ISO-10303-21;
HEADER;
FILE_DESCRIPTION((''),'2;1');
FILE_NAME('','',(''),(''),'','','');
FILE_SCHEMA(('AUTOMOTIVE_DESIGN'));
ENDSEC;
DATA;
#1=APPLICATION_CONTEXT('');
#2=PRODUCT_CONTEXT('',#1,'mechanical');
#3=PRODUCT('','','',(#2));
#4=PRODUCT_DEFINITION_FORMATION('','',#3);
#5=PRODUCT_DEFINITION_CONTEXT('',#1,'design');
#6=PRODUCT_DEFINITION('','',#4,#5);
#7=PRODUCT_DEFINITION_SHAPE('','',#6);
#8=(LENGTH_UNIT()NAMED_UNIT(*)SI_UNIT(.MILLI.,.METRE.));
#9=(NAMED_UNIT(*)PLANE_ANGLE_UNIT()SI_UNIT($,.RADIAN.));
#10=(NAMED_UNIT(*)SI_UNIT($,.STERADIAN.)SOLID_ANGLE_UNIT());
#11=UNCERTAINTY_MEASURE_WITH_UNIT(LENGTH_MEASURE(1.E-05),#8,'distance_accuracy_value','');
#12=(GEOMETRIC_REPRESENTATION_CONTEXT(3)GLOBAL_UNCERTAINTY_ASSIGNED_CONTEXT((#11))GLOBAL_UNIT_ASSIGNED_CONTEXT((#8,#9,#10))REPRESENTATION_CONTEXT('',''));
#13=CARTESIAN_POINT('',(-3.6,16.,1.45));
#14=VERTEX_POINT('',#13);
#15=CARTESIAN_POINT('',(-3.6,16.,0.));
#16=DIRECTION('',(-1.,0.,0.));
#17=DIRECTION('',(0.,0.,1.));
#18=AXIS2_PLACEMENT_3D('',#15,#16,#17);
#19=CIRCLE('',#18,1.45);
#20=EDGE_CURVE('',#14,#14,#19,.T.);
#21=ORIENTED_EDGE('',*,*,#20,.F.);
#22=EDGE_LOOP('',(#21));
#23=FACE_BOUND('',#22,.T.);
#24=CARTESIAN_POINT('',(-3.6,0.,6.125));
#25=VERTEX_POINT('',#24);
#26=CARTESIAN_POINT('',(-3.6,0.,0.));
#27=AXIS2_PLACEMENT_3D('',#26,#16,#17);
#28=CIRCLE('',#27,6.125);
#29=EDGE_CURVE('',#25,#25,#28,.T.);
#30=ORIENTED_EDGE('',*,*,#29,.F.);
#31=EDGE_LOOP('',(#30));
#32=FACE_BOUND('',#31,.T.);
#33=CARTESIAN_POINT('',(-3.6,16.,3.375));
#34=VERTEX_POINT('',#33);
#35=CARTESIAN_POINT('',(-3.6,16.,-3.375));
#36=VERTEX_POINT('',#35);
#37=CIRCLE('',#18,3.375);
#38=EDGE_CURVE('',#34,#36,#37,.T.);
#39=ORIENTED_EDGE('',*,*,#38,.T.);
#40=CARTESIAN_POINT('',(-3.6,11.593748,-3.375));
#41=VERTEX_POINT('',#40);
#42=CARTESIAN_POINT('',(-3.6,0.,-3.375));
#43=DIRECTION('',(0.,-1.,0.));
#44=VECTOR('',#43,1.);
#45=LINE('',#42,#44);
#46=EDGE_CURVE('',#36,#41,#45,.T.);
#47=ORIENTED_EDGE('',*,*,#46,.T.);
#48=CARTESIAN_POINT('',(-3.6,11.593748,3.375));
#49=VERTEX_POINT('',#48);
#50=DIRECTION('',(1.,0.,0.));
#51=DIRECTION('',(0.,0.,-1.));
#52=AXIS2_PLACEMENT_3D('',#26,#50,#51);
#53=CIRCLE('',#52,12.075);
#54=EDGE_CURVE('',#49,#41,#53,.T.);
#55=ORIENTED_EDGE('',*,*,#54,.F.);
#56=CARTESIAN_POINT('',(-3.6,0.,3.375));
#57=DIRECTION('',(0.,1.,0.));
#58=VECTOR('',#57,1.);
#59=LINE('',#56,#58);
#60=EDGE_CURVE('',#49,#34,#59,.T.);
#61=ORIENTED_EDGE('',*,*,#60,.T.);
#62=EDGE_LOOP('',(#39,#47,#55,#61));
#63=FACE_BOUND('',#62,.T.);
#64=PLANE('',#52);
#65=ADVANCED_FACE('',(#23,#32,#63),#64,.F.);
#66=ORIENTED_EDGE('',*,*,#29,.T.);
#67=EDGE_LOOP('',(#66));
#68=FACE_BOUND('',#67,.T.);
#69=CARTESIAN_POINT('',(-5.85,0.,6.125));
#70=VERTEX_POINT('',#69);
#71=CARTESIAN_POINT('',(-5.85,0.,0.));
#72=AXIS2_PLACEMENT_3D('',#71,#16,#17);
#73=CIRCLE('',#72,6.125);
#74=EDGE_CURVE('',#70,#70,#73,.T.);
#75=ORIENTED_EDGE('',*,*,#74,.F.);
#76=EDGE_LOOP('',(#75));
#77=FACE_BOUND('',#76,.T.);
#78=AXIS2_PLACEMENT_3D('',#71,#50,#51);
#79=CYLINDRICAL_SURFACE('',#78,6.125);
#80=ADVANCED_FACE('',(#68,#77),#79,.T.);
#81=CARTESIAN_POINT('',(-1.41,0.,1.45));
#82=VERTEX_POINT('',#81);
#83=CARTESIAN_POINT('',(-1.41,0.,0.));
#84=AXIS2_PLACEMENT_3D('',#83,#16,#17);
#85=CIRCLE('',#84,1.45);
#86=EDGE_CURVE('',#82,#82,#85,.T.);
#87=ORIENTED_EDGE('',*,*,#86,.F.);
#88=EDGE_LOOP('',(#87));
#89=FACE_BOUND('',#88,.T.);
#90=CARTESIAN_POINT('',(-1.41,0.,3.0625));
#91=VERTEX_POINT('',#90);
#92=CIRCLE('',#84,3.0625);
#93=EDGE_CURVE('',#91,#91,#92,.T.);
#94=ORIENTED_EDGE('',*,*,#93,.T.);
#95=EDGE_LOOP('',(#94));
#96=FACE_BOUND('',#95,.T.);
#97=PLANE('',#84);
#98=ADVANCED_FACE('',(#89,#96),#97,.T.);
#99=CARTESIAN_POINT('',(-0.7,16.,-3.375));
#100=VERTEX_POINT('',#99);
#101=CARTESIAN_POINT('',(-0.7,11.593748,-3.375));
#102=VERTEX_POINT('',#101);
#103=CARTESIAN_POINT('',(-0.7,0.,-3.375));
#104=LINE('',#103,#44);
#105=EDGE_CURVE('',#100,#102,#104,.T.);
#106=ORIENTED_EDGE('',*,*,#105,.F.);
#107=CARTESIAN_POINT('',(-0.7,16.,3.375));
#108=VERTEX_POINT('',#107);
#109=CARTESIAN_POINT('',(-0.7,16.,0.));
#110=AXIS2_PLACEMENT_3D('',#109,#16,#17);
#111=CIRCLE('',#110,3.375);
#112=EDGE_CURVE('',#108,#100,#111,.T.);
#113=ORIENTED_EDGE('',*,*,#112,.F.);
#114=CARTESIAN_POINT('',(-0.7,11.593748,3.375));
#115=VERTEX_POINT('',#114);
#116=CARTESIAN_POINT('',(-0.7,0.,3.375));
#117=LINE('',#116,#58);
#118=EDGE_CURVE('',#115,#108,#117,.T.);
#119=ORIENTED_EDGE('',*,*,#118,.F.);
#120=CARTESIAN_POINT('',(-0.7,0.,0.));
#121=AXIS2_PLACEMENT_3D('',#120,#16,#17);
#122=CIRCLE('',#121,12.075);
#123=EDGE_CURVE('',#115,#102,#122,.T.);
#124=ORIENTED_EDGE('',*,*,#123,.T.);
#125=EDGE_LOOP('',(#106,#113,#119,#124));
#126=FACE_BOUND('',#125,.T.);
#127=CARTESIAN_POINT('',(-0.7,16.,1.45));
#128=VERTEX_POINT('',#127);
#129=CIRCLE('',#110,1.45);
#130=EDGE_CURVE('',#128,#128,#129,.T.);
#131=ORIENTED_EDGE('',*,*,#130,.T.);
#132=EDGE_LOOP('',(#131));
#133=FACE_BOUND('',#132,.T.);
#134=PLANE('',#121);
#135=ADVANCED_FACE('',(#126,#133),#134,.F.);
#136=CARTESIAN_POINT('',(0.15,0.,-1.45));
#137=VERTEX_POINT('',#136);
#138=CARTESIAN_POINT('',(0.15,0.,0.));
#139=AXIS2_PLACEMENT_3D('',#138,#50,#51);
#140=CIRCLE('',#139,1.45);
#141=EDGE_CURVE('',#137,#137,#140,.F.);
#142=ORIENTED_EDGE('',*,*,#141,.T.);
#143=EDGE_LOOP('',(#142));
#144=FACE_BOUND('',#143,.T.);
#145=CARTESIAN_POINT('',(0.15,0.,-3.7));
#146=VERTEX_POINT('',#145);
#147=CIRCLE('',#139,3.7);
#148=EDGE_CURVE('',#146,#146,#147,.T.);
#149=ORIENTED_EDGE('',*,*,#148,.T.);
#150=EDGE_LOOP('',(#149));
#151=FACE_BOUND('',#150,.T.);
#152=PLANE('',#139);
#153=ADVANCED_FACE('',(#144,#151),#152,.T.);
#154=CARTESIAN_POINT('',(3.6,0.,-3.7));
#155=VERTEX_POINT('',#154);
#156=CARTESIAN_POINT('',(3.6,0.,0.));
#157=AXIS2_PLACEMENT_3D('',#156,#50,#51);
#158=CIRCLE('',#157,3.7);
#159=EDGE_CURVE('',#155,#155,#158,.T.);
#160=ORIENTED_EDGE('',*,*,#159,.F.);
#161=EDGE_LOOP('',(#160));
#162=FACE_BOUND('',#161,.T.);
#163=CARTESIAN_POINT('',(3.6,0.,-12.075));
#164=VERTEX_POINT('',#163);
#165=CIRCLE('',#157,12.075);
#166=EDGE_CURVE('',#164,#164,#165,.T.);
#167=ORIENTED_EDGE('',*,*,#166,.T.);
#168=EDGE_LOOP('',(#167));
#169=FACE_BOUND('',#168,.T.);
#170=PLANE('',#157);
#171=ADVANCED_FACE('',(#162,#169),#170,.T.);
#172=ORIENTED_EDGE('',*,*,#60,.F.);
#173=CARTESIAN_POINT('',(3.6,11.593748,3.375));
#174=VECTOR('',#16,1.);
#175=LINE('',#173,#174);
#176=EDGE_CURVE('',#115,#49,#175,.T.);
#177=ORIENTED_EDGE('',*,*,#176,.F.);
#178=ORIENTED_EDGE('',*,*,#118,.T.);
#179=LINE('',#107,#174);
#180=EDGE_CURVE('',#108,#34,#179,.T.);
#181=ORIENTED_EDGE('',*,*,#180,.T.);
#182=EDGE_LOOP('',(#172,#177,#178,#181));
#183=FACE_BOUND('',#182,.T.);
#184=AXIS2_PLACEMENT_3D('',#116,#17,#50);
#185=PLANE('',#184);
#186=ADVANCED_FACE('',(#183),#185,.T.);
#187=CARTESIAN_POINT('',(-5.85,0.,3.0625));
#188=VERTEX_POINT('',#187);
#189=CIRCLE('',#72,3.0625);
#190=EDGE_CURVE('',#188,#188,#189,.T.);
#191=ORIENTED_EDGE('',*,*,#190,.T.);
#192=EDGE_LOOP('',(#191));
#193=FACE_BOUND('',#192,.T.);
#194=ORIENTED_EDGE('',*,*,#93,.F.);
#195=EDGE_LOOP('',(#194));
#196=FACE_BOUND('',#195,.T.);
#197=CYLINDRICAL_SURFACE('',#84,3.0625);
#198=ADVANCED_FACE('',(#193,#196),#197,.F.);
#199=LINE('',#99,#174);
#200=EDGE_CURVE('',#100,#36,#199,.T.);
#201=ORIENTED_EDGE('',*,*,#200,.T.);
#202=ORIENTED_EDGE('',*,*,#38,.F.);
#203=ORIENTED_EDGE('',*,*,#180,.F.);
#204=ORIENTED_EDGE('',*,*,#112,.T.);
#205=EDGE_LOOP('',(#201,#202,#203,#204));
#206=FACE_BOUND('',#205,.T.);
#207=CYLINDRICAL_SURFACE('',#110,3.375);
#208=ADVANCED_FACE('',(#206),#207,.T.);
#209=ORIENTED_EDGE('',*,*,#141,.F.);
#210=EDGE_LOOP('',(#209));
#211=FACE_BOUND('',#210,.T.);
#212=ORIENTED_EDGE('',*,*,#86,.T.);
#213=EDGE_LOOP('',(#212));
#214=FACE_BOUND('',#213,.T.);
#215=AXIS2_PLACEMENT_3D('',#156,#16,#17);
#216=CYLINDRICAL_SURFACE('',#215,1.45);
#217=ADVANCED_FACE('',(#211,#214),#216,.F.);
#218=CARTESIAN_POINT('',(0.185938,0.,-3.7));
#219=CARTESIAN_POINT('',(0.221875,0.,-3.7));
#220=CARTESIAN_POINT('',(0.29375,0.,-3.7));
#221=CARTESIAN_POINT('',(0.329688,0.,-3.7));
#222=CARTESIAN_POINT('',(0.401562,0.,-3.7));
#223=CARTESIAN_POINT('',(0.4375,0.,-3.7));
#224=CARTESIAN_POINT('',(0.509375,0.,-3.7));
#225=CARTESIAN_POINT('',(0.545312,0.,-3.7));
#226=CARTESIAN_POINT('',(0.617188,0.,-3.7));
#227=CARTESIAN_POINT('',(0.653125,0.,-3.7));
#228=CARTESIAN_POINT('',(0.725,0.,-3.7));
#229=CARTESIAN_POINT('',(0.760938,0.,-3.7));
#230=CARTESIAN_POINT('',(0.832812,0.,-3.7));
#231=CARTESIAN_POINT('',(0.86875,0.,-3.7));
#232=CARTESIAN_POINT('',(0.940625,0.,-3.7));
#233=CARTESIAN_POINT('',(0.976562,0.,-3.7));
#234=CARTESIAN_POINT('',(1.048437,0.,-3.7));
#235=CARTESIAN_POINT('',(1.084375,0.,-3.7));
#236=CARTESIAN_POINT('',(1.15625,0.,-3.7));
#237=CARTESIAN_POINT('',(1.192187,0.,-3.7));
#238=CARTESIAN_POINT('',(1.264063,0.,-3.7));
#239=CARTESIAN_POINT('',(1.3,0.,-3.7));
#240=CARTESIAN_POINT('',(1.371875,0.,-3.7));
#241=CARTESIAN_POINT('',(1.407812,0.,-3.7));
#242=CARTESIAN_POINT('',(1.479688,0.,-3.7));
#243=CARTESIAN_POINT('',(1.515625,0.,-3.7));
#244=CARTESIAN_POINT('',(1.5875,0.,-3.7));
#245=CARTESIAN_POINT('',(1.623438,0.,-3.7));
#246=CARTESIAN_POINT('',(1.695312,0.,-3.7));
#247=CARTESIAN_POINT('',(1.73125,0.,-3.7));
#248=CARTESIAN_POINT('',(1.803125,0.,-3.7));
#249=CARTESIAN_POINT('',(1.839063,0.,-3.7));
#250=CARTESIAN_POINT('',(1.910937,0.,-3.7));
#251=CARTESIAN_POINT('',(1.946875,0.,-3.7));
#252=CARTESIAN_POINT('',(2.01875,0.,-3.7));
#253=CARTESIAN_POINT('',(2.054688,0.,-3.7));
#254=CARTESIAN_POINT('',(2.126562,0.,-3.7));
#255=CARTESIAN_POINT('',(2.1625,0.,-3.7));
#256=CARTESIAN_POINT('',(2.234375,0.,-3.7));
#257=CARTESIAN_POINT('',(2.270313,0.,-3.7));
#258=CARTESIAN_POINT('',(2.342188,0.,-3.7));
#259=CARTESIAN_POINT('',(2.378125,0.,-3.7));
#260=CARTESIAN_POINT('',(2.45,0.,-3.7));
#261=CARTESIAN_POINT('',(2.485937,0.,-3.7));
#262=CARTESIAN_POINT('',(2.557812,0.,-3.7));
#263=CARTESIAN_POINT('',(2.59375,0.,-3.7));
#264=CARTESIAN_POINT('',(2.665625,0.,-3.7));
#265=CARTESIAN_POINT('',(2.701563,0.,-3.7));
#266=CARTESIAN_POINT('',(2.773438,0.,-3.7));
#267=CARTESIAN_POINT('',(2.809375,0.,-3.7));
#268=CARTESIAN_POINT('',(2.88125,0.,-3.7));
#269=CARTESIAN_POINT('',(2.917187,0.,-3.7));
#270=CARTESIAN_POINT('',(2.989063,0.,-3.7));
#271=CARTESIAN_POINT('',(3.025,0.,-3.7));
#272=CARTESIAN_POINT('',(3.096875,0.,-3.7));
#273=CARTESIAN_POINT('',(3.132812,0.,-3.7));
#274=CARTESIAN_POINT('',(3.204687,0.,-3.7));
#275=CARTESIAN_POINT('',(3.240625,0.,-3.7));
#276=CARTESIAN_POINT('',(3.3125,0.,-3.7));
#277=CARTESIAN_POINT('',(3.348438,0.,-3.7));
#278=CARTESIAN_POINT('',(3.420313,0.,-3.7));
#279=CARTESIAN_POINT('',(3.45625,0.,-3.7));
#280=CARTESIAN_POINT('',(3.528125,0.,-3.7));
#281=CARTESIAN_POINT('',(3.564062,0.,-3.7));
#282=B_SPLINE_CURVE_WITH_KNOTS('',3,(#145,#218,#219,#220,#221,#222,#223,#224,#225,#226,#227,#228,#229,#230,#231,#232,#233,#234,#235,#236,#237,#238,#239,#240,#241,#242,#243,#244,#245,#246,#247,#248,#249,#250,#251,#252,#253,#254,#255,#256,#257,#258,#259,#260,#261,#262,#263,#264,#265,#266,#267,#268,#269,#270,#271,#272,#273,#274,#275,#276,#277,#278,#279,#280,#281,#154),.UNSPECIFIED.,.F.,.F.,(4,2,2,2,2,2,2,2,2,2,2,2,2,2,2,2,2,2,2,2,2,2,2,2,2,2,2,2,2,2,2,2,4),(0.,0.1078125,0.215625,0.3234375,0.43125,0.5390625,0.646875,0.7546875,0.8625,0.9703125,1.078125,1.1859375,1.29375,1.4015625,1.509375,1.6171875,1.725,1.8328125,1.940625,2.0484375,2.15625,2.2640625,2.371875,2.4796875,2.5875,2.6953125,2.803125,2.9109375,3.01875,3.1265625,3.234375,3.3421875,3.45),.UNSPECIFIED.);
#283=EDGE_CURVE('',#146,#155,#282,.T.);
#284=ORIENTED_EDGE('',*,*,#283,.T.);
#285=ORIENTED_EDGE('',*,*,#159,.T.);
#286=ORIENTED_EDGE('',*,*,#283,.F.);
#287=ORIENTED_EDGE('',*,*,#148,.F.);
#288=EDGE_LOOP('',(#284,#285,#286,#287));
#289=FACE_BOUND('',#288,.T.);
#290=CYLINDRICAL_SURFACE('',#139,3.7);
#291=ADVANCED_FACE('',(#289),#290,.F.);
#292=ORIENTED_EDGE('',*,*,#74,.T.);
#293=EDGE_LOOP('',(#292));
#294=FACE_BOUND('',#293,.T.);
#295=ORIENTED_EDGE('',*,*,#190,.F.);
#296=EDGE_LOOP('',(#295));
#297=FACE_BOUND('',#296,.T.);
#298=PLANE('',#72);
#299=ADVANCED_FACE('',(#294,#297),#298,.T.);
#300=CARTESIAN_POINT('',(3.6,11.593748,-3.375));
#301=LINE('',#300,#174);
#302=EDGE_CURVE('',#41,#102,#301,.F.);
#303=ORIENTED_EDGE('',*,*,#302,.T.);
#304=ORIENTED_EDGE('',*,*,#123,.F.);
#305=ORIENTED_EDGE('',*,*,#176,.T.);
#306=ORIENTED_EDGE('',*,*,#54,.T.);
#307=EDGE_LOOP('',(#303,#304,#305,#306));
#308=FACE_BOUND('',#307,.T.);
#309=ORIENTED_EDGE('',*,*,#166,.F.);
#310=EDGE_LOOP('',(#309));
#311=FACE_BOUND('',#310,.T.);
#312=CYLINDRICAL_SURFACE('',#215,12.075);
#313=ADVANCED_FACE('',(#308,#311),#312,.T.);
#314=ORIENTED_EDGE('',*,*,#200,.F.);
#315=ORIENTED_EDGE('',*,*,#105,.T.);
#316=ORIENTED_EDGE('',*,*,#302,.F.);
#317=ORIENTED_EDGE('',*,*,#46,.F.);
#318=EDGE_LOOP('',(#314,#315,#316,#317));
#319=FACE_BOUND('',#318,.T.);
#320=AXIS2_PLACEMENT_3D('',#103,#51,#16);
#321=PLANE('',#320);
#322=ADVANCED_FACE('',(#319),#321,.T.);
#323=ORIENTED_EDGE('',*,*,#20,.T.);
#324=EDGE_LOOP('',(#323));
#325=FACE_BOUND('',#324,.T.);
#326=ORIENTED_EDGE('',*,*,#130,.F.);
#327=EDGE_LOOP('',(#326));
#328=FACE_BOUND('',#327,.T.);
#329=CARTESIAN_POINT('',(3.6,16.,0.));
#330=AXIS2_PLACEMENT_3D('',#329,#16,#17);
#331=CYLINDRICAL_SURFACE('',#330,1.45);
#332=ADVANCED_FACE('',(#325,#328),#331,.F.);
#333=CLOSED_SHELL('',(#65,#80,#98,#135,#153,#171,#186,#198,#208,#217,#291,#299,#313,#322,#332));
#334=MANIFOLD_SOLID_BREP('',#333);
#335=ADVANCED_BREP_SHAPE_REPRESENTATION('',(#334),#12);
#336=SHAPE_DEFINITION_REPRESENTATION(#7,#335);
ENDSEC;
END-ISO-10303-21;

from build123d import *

# Parameters (mm, degrees)
SKETCH1_R           = 12.075
BOSS_EXTRUDE1_DEPTH = 3.6
BOSS_EXTRUDE2_DEPTH = 2.9
SKETCH3_R           = 6.125
BOSS_EXTRUDE3_DEPTH = 2.25
SKETCH4_R           = 3.0625
CUT_EXTRUDE1_DEPTH  = 4.44
SKETCH5_R           = 1.45
CUT_EXTRUDE2_DEPTH  = 24.372983335
SKETCH6_R           = 3.7
CUT_EXTRUDE3_DEPTH  = 3.45
SKETCH7_R           = 1.45
CUT_EXTRUDE4_DEPTH  = 24.938175578


with BuildPart() as part:
    # Sketch1 → Boss-Extrude1 (new, symmetric)
    with BuildSketch(Plane(origin=(0, 0, 0), x_dir=(0, 0, -1), z_dir=(1, 0, 0))):
        Circle(SKETCH1_R)
    extrude(amount=BOSS_EXTRUDE1_DEPTH, both=True)

    # Sketch2 → Boss-Extrude2 (add)
    with BuildSketch(Plane.ZY.offset(3.6)):
        with BuildLine():
            Line((-3.375, 0), (-3.375, 16))
            ThreePointArc((-3.375, 16), (0, 19.375), (3.375, 16))
            Line((3.375, 16), (3.375, 0))
            ThreePointArc((3.375, 0), (0, -3.375), (-3.375, 0))
        make_face()
    extrude(amount=-BOSS_EXTRUDE2_DEPTH)

    # Sketch3 → Boss-Extrude3 (add)
    with BuildSketch(Plane.ZY.offset(3.6)):
        Circle(SKETCH3_R)
    extrude(amount=BOSS_EXTRUDE3_DEPTH)

    # Sketch4 → Cut-Extrude1 (cut)
    with BuildSketch(Plane.ZY.offset(5.85)):
        Circle(SKETCH4_R)
    extrude(amount=-CUT_EXTRUDE1_DEPTH, mode=Mode.SUBTRACT)

    # Sketch5 → Cut-Extrude2 (cut, through all)
    with BuildSketch(Plane.ZY.offset(1.41)):
        Circle(SKETCH5_R)
    extrude(amount=-CUT_EXTRUDE2_DEPTH, mode=Mode.SUBTRACT)

    # Sketch6 → Cut-Extrude3 (cut)
    with BuildSketch(Plane(origin=(3.6, 0, 0), x_dir=(0, 0, -1), z_dir=(1, 0, 0))):
        Circle(SKETCH6_R)
    extrude(amount=-CUT_EXTRUDE3_DEPTH, mode=Mode.SUBTRACT)

    # Sketch7 → Cut-Extrude4 (cut, through all)
    with BuildSketch(Plane.ZY.offset(3.6)):
        with Locations((0, 16)):
            Circle(SKETCH7_R)
    extrude(amount=-CUT_EXTRUDE4_DEPTH, mode=Mode.SUBTRACT)


solid = part.part
